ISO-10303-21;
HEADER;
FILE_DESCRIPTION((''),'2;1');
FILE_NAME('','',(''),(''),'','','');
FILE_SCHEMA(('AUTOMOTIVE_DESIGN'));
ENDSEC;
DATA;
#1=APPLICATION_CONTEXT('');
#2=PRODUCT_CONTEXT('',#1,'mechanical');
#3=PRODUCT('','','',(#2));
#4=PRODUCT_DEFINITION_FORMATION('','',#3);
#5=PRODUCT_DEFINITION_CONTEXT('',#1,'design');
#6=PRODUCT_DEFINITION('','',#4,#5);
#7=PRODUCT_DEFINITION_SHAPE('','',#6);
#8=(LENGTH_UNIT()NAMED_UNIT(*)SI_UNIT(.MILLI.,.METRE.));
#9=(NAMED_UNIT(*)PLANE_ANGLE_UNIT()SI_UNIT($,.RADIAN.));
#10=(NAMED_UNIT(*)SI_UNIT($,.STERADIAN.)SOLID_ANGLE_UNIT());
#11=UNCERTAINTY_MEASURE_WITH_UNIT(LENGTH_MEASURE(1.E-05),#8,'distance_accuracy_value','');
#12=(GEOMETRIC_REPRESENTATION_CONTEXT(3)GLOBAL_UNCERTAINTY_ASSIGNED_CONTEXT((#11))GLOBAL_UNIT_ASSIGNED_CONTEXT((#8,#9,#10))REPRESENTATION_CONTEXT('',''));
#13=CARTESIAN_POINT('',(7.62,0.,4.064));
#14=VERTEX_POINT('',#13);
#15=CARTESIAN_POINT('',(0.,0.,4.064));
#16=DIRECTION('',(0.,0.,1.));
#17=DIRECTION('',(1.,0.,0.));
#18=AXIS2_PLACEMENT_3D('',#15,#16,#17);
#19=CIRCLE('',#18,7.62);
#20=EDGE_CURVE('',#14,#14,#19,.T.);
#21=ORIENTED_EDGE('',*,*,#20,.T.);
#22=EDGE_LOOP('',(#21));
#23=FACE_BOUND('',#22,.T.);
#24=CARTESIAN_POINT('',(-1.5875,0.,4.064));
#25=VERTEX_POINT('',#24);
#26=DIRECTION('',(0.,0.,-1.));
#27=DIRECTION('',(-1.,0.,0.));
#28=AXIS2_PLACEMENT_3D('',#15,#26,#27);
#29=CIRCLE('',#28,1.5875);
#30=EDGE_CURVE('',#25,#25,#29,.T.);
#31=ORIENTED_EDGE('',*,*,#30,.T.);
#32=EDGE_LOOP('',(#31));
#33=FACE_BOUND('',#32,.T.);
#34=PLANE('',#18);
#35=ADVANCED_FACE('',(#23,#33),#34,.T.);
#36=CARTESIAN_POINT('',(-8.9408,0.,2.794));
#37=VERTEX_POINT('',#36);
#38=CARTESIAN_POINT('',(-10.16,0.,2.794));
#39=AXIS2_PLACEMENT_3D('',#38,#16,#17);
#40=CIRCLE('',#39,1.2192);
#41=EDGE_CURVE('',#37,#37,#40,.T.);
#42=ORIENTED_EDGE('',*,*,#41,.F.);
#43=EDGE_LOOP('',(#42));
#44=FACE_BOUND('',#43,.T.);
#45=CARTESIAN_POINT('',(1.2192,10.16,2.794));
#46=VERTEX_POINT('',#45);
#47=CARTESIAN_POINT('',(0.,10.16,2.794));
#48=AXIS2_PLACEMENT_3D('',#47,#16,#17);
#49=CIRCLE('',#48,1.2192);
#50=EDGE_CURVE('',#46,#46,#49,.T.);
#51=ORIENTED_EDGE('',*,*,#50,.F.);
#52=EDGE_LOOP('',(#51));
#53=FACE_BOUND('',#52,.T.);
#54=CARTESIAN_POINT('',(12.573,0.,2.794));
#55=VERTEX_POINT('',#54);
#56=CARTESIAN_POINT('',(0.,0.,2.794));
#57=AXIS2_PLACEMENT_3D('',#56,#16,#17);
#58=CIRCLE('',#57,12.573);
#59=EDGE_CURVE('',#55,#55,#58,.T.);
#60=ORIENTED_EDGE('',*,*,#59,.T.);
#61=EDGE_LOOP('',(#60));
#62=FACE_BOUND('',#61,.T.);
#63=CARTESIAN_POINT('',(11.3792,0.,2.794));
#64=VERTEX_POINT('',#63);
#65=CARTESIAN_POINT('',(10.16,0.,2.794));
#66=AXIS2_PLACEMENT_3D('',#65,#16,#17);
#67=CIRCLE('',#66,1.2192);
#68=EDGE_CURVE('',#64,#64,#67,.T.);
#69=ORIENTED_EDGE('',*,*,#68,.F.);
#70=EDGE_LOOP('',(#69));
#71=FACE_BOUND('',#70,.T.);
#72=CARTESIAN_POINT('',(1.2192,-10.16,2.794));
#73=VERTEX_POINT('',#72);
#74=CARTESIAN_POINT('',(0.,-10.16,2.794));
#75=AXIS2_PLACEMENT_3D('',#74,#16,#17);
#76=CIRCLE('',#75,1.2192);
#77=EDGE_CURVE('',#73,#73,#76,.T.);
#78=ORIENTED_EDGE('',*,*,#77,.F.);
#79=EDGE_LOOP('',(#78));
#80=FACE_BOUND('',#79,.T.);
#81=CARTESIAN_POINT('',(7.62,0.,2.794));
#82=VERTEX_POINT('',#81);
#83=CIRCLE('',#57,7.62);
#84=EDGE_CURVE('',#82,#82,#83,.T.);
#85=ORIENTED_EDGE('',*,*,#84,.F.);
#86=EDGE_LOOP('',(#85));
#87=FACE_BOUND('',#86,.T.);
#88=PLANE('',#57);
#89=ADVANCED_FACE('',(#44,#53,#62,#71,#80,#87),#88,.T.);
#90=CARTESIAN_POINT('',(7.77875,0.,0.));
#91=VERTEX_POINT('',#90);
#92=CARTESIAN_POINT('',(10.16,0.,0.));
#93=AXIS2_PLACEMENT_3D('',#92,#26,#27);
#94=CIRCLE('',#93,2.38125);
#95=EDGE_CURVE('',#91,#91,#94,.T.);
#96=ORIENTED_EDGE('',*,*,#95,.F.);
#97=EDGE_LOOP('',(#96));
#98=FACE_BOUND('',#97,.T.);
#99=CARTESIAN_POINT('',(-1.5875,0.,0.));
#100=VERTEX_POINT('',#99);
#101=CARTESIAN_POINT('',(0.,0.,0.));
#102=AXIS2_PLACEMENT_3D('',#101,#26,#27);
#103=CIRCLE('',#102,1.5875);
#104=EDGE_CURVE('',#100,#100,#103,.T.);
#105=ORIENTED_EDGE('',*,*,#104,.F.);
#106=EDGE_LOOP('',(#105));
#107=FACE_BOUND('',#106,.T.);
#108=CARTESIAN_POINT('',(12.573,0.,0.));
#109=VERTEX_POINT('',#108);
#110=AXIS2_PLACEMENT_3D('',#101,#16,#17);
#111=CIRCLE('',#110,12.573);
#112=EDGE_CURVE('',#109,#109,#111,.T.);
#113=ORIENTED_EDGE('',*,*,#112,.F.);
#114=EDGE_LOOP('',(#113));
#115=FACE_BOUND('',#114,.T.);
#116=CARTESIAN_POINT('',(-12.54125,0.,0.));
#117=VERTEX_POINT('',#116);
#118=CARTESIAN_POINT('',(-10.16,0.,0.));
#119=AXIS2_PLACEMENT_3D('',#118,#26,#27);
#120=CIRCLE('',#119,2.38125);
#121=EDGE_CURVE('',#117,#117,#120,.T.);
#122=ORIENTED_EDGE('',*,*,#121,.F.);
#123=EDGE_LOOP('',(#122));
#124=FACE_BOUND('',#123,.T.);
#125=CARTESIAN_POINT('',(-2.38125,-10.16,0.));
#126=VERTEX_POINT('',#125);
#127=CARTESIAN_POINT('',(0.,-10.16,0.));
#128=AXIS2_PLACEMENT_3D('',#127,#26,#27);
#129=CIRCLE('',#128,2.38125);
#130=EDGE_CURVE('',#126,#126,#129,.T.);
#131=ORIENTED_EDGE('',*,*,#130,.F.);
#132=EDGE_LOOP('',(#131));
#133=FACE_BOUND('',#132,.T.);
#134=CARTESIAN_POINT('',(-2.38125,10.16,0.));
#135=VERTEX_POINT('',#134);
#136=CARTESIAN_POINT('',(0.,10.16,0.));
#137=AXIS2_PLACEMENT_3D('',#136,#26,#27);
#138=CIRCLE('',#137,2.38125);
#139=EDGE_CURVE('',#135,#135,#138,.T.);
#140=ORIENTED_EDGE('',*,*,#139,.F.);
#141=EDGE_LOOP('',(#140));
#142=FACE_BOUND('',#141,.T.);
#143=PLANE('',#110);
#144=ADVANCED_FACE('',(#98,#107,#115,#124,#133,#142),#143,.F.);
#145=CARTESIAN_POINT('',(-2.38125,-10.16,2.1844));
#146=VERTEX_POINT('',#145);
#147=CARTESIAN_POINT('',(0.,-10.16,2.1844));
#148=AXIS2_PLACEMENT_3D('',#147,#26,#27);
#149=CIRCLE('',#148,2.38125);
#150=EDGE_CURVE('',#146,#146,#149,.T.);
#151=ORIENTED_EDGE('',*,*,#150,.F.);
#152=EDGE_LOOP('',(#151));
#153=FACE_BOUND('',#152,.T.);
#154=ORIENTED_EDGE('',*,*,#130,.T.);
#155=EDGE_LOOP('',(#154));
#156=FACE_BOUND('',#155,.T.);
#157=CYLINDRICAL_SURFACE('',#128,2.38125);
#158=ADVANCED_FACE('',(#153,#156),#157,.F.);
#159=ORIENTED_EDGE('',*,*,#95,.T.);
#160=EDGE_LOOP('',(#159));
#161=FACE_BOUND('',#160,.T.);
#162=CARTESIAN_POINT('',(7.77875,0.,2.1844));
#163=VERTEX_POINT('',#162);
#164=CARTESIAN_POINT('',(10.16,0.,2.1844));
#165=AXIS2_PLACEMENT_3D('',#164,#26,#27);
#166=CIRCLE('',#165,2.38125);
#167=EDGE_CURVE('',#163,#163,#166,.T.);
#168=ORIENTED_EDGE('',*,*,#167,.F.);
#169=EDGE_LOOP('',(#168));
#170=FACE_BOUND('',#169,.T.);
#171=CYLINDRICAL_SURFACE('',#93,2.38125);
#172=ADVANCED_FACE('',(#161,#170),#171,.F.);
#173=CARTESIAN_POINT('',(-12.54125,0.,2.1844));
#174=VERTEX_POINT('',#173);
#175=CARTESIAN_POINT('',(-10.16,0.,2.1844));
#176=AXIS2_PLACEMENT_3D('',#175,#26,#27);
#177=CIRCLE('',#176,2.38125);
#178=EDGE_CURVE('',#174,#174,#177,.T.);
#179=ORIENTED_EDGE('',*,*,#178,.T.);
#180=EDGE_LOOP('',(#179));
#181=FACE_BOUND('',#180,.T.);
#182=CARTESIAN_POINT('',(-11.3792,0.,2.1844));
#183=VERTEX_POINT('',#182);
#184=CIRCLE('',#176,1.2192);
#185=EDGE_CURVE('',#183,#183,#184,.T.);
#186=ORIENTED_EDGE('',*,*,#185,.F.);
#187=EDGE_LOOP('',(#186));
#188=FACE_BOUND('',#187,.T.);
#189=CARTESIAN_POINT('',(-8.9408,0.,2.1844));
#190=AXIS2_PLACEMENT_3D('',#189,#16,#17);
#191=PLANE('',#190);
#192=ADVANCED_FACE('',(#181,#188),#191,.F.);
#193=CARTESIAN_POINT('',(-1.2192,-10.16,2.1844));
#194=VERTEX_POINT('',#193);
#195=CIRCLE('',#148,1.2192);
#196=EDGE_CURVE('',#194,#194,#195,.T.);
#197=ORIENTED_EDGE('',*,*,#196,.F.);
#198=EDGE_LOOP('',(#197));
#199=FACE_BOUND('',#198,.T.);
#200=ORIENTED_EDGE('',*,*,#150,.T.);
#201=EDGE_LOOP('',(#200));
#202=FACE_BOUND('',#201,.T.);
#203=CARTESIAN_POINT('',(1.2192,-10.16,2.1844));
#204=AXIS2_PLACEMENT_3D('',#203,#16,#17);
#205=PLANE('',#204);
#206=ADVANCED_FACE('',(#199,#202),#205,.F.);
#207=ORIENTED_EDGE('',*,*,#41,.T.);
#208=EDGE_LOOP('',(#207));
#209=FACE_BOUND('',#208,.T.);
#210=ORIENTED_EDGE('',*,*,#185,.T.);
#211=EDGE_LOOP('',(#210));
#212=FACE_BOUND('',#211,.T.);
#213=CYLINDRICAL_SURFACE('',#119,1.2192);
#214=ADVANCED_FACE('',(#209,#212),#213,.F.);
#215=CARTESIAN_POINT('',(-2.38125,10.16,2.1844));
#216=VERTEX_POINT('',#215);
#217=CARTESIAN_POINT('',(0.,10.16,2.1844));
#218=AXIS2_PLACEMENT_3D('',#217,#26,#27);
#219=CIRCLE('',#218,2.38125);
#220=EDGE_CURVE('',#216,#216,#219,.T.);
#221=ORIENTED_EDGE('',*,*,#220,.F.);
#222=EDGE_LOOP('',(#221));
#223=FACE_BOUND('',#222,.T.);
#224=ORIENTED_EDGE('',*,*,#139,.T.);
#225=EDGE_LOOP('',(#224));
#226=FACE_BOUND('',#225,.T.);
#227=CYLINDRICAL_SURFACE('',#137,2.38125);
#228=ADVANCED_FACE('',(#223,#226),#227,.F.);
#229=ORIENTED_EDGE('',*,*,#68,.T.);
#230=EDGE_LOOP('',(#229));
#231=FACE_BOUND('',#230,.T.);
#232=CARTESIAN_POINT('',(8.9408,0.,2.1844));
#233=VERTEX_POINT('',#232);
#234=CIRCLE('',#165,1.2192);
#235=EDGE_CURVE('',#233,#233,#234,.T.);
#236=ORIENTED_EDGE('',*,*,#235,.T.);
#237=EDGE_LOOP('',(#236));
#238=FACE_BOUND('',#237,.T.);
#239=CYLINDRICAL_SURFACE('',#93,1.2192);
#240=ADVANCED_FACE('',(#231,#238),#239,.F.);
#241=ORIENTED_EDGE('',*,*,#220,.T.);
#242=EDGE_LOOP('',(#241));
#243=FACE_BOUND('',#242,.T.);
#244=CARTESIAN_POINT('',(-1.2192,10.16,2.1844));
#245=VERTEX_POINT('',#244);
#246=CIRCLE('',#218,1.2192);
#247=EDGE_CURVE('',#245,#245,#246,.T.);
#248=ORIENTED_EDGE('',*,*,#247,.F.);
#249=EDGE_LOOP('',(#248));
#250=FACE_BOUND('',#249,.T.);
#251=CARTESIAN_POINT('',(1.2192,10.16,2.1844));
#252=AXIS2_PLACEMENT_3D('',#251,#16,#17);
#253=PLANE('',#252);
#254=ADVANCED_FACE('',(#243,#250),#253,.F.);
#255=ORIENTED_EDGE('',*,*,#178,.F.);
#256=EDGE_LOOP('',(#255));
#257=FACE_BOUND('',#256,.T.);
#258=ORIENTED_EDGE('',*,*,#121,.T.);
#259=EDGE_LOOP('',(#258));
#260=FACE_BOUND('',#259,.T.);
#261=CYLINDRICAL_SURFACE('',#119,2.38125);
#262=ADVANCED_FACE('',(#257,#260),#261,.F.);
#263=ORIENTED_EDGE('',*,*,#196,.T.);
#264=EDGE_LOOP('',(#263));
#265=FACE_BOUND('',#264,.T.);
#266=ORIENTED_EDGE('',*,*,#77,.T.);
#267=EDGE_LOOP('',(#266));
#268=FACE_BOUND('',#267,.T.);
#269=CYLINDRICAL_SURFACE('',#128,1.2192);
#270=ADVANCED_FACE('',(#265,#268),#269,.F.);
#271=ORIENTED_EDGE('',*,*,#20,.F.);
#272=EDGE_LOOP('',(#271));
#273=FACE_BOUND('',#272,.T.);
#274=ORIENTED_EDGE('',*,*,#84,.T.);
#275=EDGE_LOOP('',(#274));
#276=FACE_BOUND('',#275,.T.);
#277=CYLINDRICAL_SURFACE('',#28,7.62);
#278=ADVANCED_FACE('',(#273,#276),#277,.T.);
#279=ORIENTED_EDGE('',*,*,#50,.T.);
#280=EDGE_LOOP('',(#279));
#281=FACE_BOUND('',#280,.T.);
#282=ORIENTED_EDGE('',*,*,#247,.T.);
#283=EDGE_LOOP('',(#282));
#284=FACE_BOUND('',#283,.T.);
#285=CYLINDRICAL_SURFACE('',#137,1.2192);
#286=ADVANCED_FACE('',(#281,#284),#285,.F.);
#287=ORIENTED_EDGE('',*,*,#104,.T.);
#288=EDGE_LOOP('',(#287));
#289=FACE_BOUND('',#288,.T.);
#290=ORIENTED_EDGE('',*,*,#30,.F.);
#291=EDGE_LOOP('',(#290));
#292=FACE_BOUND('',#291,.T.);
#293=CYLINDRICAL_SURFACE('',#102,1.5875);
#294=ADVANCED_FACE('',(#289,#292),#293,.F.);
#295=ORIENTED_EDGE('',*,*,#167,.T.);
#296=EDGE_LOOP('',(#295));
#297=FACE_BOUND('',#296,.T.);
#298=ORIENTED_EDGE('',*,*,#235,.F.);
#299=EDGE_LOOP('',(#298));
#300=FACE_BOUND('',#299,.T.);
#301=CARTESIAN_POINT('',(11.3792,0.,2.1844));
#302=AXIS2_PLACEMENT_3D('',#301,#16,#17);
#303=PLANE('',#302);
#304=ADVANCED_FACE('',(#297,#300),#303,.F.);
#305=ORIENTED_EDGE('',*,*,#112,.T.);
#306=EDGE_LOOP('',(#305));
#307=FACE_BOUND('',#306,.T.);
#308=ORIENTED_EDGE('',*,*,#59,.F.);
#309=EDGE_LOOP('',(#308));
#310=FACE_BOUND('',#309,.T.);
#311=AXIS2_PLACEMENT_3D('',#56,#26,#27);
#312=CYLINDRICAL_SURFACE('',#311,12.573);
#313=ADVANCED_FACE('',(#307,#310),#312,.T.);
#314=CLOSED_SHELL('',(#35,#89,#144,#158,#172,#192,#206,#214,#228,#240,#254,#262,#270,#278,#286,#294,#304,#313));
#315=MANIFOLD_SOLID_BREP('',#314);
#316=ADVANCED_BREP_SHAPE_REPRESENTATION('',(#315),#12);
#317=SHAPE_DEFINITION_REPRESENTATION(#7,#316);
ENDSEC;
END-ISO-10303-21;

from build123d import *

# Parameters (mm, degrees)
SKETCH1_R                  = 12.573
BOSS_EXTRUDE1_DEPTH        = 2.794
SKETCH2_R                  = 7.62
BOSS_EXTRUDE2_DEPTH        = 1.27
CIRPATTERN2_COUNT          = 4
F_1_8_0_1250_DOWEL_HOLE2_D = 3.175


with BuildPart() as part:
    # Sketch1 → Boss-Extrude1 (new body)
    with BuildSketch(Plane.XY):
        Circle(SKETCH1_R)
    extrude(amount=BOSS_EXTRUDE1_DEPTH)

    # Sketch2 → Boss-Extrude2 (add)
    with BuildSketch(Plane.XY.offset(2.794)):
        Circle(SKETCH2_R)
    extrude(amount=BOSS_EXTRUDE2_DEPTH)

    # Sketch18 → CBORE for #2 Socket Head Cap Screw1 (revolve, cut)
    with BuildSketch(Plane.YZ.offset(-10.16)):
        Polygon((0, 0), (0, 8.446549267), (1.2192, 7.71398), (1.2192, 2.1844), (2.38125, 2.1844), (2.38125, 0), align=None)
    cbore_for_2_socket_head_cap_screw1 = revolve(axis=Axis((-10.16, 0, -6.35), (0, 0, 1)), mode=Mode.SUBTRACT)

    # CirPattern2: CBORE for #2 Socket Head Cap Screw1 ×4 about axis
    cirpattern2_axis = Axis((0, 0, 0), (0, 0, -1))
    for i in range(1, CIRPATTERN2_COUNT):
        add(cbore_for_2_socket_head_cap_screw1.rotate(cirpattern2_axis, i * 360 / CIRPATTERN2_COUNT), mode=Mode.SUBTRACT)

    # 1/8 (0.1250) Dowel Hole2 (through all)
    with Locations(Plane(origin=(0, 0, 0), x_dir=(-1, 0, 0), z_dir=(0, 0, -1))):
        with Locations((0, 0)):
            Hole(F_1_8_0_1250_DOWEL_HOLE2_D / 2)


solid = part.part
